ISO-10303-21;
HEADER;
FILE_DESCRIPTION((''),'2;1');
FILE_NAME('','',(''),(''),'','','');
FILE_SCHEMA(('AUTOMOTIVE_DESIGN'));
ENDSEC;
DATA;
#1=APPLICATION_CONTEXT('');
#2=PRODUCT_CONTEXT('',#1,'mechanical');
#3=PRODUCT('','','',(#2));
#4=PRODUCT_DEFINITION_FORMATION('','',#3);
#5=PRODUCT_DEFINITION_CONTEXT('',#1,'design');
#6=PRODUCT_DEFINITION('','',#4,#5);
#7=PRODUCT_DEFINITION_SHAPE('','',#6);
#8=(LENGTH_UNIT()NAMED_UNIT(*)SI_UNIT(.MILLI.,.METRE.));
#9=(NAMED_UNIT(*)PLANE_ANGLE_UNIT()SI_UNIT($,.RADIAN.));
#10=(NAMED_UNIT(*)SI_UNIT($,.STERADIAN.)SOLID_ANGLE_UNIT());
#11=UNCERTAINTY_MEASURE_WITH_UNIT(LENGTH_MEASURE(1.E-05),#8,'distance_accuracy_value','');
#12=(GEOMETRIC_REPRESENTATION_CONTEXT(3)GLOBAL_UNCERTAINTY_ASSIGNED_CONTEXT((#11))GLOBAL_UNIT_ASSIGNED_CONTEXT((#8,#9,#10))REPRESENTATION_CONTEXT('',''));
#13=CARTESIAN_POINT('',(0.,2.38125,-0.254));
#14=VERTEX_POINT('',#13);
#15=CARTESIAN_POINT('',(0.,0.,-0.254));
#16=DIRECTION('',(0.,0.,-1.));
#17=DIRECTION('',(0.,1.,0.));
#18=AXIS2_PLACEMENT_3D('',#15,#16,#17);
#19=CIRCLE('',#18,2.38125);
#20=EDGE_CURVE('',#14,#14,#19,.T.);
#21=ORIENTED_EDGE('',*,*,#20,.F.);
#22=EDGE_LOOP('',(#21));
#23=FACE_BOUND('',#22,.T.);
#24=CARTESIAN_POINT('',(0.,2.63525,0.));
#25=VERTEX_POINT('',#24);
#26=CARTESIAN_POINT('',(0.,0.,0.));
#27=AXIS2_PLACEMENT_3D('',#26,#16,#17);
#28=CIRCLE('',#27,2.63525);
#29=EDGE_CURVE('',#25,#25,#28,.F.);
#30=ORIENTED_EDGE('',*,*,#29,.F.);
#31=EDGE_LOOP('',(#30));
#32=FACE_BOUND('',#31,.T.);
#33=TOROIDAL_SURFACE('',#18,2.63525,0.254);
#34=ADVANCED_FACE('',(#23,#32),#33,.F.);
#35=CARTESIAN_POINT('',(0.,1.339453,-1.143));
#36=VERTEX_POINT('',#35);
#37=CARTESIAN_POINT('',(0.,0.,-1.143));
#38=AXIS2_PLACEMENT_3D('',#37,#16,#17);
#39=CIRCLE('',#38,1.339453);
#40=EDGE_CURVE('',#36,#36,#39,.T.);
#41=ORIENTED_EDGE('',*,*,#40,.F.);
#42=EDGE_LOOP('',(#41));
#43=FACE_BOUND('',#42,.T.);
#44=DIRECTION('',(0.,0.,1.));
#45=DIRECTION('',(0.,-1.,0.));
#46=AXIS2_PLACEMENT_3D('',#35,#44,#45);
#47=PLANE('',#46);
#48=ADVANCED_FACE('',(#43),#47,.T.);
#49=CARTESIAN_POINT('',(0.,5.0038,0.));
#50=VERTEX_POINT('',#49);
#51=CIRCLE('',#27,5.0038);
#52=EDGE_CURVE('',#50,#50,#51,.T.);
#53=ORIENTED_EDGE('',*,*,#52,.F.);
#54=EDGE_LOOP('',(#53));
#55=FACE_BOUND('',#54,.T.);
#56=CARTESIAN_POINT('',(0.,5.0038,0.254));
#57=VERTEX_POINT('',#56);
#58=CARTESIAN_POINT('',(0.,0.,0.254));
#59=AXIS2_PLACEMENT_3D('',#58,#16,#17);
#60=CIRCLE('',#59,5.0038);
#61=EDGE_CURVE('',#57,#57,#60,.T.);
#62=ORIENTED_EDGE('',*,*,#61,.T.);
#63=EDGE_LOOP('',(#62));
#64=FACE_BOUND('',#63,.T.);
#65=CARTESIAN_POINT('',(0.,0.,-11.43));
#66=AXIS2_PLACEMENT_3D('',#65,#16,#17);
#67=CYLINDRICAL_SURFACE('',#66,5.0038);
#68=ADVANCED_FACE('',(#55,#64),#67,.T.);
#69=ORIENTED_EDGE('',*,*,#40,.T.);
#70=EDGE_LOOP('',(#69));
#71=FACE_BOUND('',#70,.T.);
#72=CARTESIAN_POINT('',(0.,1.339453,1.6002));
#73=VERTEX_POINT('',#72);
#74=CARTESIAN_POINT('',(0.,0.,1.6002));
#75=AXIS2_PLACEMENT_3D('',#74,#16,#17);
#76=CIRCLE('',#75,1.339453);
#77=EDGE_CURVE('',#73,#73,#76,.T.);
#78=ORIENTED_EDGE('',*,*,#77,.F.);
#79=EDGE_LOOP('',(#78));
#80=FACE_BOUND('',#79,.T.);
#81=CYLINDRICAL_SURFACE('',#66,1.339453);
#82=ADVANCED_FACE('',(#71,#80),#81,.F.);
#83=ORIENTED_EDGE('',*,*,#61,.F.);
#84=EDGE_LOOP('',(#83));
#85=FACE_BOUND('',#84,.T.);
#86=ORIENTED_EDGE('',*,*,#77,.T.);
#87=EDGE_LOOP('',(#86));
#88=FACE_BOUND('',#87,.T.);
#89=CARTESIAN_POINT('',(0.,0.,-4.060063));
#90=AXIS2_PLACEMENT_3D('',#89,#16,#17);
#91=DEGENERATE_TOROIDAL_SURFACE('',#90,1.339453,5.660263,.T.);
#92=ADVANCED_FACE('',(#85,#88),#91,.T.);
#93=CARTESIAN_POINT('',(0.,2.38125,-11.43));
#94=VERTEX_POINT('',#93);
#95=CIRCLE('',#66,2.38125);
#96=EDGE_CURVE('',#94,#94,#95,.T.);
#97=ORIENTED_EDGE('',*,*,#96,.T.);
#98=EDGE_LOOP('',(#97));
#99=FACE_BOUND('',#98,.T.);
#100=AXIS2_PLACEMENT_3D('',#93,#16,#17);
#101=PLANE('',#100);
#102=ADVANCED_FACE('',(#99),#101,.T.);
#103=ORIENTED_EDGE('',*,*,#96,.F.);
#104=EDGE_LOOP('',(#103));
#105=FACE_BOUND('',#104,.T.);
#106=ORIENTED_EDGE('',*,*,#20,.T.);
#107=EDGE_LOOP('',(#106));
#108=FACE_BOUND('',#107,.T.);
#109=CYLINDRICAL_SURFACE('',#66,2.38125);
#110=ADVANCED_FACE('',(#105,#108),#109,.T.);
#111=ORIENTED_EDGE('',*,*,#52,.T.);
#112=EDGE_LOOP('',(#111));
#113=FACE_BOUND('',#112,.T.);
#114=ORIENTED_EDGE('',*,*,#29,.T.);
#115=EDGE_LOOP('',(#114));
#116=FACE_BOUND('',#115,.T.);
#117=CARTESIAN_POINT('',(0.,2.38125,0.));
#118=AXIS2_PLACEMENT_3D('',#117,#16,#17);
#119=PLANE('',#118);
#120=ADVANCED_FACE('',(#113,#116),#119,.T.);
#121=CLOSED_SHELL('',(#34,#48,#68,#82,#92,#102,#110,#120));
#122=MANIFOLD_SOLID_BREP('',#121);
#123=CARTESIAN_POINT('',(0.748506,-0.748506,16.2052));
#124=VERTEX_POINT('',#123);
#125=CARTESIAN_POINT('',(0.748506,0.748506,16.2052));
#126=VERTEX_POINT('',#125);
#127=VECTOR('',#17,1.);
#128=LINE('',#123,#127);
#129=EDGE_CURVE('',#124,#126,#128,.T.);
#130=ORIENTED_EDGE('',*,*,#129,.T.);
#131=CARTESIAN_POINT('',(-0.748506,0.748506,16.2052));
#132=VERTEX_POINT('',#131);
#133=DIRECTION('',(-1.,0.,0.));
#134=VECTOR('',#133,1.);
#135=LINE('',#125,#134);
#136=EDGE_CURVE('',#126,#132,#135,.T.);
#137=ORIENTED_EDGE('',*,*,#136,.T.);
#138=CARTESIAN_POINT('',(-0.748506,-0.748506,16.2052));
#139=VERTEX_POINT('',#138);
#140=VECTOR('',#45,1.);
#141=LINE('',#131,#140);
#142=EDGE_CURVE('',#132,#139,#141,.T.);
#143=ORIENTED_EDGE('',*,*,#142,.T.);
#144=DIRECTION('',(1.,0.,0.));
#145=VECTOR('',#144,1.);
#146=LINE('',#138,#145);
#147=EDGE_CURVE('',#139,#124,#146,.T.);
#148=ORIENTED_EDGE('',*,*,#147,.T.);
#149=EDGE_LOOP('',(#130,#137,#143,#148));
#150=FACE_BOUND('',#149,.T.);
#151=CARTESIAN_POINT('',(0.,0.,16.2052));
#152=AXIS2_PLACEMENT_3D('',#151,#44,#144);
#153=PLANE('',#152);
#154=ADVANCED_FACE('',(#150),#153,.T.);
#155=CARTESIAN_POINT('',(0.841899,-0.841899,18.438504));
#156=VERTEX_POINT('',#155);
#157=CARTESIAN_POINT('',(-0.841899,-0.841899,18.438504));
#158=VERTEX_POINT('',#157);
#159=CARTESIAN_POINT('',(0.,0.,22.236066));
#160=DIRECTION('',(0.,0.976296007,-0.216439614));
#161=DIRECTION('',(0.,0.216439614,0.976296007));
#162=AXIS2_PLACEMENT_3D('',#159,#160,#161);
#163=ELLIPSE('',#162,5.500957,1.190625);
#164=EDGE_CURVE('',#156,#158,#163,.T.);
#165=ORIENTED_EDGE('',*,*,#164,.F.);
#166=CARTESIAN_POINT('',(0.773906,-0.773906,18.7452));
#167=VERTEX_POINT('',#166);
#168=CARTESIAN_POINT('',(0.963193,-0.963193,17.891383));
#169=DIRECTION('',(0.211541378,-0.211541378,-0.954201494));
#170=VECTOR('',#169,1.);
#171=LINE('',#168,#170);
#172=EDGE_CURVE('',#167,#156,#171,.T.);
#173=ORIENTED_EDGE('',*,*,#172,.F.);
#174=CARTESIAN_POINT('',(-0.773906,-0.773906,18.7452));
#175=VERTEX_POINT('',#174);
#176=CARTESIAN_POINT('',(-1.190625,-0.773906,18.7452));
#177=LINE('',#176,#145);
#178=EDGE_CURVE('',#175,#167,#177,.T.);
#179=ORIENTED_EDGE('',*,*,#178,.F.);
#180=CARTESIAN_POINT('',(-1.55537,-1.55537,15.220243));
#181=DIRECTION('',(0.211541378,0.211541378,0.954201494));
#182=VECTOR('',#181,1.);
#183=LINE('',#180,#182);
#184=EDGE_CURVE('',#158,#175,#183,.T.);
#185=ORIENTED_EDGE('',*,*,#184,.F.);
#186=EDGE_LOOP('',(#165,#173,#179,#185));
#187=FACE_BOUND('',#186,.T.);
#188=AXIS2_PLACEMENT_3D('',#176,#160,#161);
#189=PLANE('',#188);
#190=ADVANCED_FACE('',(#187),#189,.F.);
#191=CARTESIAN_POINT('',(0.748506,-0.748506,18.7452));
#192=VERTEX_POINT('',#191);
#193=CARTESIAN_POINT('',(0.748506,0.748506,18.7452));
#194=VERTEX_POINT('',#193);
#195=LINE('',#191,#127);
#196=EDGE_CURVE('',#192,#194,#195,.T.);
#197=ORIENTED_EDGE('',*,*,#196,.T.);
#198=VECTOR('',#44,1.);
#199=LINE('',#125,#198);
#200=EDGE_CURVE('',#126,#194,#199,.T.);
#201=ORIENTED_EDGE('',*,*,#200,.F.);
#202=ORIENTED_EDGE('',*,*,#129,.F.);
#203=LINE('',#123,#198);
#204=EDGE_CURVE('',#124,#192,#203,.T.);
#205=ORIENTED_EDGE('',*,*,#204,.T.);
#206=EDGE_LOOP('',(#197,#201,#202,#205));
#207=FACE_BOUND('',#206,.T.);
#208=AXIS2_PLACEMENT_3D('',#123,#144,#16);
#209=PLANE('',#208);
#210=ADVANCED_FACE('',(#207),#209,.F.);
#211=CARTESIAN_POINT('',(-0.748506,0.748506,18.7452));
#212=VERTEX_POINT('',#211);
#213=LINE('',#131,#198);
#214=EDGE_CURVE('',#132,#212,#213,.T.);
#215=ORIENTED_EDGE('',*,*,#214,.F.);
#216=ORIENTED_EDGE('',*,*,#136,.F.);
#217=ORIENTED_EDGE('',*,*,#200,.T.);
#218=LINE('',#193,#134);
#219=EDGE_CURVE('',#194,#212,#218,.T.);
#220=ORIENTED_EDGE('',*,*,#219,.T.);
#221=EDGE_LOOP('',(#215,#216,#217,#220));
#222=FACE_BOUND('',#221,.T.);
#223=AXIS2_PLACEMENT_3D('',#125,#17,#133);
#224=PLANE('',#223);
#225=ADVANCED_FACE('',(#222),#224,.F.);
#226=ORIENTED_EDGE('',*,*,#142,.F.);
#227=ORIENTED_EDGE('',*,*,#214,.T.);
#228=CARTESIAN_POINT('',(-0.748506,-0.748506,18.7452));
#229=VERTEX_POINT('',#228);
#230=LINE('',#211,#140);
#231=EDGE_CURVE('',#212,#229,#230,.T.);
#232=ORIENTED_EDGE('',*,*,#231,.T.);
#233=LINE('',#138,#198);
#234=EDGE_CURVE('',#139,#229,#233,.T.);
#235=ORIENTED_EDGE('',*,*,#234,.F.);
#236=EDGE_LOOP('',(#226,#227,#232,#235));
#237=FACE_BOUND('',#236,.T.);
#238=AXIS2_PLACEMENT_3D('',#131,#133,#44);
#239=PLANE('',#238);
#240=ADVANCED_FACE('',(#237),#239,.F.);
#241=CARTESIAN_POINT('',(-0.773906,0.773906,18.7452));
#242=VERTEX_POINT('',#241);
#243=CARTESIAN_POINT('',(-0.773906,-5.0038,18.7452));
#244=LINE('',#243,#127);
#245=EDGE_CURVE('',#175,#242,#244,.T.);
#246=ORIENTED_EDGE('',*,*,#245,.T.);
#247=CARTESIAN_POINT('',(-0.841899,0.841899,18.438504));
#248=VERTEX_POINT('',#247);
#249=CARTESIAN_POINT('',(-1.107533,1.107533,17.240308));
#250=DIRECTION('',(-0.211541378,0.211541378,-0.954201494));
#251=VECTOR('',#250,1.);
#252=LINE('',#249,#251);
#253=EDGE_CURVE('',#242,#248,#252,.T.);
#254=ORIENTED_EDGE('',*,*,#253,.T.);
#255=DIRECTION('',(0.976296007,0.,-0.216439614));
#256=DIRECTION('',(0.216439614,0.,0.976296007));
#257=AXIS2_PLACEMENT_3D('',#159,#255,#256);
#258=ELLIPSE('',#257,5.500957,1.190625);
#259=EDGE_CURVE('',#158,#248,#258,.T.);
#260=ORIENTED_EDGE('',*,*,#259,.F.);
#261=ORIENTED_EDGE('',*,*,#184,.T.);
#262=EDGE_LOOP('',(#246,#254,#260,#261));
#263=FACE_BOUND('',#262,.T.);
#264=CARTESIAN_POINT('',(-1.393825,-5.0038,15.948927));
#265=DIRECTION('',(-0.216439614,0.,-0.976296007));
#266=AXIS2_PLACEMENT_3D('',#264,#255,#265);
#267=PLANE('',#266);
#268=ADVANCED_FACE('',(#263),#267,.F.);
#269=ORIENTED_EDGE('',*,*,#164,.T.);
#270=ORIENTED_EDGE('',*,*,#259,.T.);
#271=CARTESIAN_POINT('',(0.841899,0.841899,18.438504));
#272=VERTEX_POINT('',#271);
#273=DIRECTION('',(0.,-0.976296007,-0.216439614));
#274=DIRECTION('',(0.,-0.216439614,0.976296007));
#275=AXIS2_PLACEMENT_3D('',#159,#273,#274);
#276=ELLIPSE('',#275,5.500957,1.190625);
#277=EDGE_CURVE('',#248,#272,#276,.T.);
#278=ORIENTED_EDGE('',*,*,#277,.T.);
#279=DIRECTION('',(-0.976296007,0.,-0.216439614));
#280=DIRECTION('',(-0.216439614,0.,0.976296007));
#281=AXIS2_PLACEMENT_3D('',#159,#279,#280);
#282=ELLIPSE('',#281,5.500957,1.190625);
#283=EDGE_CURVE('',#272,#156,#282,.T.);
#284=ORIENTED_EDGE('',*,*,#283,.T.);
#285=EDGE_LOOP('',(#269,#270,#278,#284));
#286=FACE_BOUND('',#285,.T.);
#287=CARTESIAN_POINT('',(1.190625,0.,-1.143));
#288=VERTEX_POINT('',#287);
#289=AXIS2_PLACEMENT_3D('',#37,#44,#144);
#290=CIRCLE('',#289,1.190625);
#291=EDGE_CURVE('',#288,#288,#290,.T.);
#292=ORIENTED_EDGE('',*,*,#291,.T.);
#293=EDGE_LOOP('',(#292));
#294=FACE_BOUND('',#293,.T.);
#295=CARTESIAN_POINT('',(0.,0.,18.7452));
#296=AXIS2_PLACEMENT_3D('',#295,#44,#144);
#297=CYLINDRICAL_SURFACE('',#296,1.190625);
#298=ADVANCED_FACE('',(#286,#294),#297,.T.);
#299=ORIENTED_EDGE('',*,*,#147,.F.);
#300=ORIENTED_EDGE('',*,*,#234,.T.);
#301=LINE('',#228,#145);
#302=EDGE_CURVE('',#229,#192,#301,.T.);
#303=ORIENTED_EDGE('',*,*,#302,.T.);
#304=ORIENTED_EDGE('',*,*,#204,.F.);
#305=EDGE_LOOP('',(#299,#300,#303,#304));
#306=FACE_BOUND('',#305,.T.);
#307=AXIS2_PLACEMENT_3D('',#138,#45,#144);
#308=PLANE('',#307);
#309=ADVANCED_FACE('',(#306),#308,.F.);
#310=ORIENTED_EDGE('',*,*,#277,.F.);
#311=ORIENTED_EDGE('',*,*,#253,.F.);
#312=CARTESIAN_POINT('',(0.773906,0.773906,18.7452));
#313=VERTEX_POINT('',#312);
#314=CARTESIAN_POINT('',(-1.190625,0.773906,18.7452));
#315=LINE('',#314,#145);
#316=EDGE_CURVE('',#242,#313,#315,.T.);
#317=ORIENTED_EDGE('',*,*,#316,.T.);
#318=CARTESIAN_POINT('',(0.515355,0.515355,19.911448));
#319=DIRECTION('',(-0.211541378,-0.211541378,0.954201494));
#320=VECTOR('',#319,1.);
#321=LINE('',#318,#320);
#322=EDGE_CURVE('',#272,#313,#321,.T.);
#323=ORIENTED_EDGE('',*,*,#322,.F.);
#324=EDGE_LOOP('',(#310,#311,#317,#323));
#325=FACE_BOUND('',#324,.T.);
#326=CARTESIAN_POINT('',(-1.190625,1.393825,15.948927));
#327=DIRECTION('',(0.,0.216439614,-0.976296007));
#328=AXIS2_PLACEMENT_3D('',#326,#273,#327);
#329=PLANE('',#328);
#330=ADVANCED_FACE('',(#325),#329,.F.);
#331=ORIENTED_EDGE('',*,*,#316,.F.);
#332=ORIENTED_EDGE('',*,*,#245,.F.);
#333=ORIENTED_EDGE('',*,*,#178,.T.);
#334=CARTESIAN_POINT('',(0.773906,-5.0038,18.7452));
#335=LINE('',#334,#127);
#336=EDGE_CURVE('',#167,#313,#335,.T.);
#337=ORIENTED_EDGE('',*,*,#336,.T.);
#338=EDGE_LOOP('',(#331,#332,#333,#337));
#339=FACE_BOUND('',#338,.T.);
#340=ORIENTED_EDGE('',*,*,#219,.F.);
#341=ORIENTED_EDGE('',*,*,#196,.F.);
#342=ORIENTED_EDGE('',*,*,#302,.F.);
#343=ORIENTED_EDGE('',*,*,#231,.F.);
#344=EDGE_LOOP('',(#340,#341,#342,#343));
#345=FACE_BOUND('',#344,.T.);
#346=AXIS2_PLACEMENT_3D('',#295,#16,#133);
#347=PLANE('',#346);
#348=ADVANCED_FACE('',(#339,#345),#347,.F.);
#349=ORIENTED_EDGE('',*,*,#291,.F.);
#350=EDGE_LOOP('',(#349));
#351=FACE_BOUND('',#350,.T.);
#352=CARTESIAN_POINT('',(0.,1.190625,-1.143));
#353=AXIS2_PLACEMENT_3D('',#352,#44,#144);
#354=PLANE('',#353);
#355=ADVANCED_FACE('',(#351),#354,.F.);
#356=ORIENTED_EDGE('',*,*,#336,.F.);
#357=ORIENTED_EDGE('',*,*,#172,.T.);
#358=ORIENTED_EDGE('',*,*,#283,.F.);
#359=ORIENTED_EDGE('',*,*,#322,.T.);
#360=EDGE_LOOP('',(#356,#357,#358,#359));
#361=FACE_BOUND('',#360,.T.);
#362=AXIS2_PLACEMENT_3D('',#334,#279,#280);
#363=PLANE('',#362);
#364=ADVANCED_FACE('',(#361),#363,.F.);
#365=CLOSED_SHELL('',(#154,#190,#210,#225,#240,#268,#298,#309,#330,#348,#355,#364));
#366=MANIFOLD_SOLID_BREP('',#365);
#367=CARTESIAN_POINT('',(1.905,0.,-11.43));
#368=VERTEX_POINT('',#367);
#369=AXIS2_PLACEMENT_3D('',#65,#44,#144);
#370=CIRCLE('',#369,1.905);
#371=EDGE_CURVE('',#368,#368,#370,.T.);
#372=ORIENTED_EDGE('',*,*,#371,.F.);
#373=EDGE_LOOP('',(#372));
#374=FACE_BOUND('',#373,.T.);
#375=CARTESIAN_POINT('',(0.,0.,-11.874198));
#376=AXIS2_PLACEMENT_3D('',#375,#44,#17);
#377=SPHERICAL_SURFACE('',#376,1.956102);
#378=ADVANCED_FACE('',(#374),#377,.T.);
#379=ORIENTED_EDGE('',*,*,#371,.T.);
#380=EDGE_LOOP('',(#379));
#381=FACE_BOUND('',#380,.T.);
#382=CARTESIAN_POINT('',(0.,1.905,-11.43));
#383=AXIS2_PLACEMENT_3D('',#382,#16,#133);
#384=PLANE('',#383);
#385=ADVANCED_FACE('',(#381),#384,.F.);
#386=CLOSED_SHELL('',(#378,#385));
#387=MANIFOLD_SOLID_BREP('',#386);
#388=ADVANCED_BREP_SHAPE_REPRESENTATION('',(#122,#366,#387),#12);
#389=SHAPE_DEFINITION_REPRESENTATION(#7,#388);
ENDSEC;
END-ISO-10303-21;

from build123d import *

# Parameters (mm, degrees)
SKETCH7_W          = 19.8882
SKETCH7_H          = 1.190625
CUT_EXTRUDE1_DEPTH = 6.0038001
CIRPATTERN1_COUNT  = 2
CIRPATTERN1_ANGLE  = 90
SKETCH9_W          = 1.4970125
SKETCH9_H          = 1.4970125
CUT_EXTRUDE3_DEPTH = 2.54
FILLET2_R          = 0.254


with BuildPart() as part:
    # Sketch2 → Revolve1 (revolve)
    with BuildSketch(Plane(origin=(0, 0, 0), x_dir=(0, 0, -1), z_dir=(1, 0, 0))):
        with BuildLine():
            Line((11.43, 2.38125), (0, 2.38125))
            Line((0, 2.38125), (0, 5.0038))
            Line((0, 5.0038), (-0.254, 5.0038))
            ThreePointArc((-0.254, 5.0038), (-1.253001484, 3.29135556), (-1.6002, 1.339453125))
            Line((-1.6002, 1.339453125), (0, 1.339453125))
            Line((0, 1.339453125), (1.143, 1.339453125))
            Line((1.143, 1.339453125), (1.143, 0))
            Line((1.143, 0), (11.43, 0))
            Line((11.43, 0), (11.43, 2.38125))
        make_face()
    revolve(axis=Axis((0, 0, -11.43), (0, 0, 1)))

    # Fillet2
    fillet2_edges = [part.edges().sort_by_distance(p)[0] for p in [
        (0, -2.38125, 0),
    ]]
    fillet(fillet2_edges, radius=FILLET2_R)


with BuildPart() as body_2:
    # Sketch7 → Revolve2 (revolve)
    with BuildSketch(Plane(origin=(0, 0, 0), x_dir=(0, 0, -1), z_dir=(1, 0, 0))):
        with Locations((-8.8011, 0.5953125)):
            Rectangle(SKETCH7_W, SKETCH7_H)
    revolve(axis=Axis((0, 0, 18.7452), (0, 0, -1)))

    # Sketch3 → Cut-Extrude1 (cut, symmetric)
    with BuildSketch(Plane(origin=(0, 0, 0), x_dir=(1, 0, 0), z_dir=(0, 1, 0))):
        Polygon((-1.393825, -15.948927223), (-0.77390625, -18.7452), (0.77390625, -18.7452), (1.393825, -15.948927223), (1.393825, -19.2532), (-1.393825, -19.2532), align=None)
    cut_extrude1 = extrude(amount=CUT_EXTRUDE1_DEPTH, both=True, mode=Mode.SUBTRACT)

    # CirPattern1: Cut-Extrude1 ×2 about axis
    cirpattern1_axis = Axis((0, 0, 18.7452), (0, 0, -1))
    for i in range(1, CIRPATTERN1_COUNT):
        add(cut_extrude1.rotate(cirpattern1_axis, i * CIRPATTERN1_ANGLE / (CIRPATTERN1_COUNT - 1)), mode=Mode.SUBTRACT)

    # Sketch9 → Cut-Extrude3 (cut)
    with BuildSketch(Plane.XY.offset(18.7452)):
        Rectangle(SKETCH9_W, SKETCH9_H)
    extrude(amount=-CUT_EXTRUDE3_DEPTH, mode=Mode.SUBTRACT)


with BuildPart() as body_3:
    # Sketch8 → Revolve3 (revolve)
    with BuildSketch(Plane(origin=(0, 0, 0), x_dir=(0, 0, -1), z_dir=(1, 0, 0))):
        with BuildLine():
            Line((11.43, 1.905), (11.43, 0))
            Line((11.43, 0), (13.8303, 0))
            ThreePointArc((13.8303, 0), (13.090224038, 1.532193288), (11.43, 1.905))
        make_face()
    revolve(axis=Axis((0, 0, -11.43), (0, 0, -1)))


solid = Compound([part.part, body_2.part, body_3.part])
